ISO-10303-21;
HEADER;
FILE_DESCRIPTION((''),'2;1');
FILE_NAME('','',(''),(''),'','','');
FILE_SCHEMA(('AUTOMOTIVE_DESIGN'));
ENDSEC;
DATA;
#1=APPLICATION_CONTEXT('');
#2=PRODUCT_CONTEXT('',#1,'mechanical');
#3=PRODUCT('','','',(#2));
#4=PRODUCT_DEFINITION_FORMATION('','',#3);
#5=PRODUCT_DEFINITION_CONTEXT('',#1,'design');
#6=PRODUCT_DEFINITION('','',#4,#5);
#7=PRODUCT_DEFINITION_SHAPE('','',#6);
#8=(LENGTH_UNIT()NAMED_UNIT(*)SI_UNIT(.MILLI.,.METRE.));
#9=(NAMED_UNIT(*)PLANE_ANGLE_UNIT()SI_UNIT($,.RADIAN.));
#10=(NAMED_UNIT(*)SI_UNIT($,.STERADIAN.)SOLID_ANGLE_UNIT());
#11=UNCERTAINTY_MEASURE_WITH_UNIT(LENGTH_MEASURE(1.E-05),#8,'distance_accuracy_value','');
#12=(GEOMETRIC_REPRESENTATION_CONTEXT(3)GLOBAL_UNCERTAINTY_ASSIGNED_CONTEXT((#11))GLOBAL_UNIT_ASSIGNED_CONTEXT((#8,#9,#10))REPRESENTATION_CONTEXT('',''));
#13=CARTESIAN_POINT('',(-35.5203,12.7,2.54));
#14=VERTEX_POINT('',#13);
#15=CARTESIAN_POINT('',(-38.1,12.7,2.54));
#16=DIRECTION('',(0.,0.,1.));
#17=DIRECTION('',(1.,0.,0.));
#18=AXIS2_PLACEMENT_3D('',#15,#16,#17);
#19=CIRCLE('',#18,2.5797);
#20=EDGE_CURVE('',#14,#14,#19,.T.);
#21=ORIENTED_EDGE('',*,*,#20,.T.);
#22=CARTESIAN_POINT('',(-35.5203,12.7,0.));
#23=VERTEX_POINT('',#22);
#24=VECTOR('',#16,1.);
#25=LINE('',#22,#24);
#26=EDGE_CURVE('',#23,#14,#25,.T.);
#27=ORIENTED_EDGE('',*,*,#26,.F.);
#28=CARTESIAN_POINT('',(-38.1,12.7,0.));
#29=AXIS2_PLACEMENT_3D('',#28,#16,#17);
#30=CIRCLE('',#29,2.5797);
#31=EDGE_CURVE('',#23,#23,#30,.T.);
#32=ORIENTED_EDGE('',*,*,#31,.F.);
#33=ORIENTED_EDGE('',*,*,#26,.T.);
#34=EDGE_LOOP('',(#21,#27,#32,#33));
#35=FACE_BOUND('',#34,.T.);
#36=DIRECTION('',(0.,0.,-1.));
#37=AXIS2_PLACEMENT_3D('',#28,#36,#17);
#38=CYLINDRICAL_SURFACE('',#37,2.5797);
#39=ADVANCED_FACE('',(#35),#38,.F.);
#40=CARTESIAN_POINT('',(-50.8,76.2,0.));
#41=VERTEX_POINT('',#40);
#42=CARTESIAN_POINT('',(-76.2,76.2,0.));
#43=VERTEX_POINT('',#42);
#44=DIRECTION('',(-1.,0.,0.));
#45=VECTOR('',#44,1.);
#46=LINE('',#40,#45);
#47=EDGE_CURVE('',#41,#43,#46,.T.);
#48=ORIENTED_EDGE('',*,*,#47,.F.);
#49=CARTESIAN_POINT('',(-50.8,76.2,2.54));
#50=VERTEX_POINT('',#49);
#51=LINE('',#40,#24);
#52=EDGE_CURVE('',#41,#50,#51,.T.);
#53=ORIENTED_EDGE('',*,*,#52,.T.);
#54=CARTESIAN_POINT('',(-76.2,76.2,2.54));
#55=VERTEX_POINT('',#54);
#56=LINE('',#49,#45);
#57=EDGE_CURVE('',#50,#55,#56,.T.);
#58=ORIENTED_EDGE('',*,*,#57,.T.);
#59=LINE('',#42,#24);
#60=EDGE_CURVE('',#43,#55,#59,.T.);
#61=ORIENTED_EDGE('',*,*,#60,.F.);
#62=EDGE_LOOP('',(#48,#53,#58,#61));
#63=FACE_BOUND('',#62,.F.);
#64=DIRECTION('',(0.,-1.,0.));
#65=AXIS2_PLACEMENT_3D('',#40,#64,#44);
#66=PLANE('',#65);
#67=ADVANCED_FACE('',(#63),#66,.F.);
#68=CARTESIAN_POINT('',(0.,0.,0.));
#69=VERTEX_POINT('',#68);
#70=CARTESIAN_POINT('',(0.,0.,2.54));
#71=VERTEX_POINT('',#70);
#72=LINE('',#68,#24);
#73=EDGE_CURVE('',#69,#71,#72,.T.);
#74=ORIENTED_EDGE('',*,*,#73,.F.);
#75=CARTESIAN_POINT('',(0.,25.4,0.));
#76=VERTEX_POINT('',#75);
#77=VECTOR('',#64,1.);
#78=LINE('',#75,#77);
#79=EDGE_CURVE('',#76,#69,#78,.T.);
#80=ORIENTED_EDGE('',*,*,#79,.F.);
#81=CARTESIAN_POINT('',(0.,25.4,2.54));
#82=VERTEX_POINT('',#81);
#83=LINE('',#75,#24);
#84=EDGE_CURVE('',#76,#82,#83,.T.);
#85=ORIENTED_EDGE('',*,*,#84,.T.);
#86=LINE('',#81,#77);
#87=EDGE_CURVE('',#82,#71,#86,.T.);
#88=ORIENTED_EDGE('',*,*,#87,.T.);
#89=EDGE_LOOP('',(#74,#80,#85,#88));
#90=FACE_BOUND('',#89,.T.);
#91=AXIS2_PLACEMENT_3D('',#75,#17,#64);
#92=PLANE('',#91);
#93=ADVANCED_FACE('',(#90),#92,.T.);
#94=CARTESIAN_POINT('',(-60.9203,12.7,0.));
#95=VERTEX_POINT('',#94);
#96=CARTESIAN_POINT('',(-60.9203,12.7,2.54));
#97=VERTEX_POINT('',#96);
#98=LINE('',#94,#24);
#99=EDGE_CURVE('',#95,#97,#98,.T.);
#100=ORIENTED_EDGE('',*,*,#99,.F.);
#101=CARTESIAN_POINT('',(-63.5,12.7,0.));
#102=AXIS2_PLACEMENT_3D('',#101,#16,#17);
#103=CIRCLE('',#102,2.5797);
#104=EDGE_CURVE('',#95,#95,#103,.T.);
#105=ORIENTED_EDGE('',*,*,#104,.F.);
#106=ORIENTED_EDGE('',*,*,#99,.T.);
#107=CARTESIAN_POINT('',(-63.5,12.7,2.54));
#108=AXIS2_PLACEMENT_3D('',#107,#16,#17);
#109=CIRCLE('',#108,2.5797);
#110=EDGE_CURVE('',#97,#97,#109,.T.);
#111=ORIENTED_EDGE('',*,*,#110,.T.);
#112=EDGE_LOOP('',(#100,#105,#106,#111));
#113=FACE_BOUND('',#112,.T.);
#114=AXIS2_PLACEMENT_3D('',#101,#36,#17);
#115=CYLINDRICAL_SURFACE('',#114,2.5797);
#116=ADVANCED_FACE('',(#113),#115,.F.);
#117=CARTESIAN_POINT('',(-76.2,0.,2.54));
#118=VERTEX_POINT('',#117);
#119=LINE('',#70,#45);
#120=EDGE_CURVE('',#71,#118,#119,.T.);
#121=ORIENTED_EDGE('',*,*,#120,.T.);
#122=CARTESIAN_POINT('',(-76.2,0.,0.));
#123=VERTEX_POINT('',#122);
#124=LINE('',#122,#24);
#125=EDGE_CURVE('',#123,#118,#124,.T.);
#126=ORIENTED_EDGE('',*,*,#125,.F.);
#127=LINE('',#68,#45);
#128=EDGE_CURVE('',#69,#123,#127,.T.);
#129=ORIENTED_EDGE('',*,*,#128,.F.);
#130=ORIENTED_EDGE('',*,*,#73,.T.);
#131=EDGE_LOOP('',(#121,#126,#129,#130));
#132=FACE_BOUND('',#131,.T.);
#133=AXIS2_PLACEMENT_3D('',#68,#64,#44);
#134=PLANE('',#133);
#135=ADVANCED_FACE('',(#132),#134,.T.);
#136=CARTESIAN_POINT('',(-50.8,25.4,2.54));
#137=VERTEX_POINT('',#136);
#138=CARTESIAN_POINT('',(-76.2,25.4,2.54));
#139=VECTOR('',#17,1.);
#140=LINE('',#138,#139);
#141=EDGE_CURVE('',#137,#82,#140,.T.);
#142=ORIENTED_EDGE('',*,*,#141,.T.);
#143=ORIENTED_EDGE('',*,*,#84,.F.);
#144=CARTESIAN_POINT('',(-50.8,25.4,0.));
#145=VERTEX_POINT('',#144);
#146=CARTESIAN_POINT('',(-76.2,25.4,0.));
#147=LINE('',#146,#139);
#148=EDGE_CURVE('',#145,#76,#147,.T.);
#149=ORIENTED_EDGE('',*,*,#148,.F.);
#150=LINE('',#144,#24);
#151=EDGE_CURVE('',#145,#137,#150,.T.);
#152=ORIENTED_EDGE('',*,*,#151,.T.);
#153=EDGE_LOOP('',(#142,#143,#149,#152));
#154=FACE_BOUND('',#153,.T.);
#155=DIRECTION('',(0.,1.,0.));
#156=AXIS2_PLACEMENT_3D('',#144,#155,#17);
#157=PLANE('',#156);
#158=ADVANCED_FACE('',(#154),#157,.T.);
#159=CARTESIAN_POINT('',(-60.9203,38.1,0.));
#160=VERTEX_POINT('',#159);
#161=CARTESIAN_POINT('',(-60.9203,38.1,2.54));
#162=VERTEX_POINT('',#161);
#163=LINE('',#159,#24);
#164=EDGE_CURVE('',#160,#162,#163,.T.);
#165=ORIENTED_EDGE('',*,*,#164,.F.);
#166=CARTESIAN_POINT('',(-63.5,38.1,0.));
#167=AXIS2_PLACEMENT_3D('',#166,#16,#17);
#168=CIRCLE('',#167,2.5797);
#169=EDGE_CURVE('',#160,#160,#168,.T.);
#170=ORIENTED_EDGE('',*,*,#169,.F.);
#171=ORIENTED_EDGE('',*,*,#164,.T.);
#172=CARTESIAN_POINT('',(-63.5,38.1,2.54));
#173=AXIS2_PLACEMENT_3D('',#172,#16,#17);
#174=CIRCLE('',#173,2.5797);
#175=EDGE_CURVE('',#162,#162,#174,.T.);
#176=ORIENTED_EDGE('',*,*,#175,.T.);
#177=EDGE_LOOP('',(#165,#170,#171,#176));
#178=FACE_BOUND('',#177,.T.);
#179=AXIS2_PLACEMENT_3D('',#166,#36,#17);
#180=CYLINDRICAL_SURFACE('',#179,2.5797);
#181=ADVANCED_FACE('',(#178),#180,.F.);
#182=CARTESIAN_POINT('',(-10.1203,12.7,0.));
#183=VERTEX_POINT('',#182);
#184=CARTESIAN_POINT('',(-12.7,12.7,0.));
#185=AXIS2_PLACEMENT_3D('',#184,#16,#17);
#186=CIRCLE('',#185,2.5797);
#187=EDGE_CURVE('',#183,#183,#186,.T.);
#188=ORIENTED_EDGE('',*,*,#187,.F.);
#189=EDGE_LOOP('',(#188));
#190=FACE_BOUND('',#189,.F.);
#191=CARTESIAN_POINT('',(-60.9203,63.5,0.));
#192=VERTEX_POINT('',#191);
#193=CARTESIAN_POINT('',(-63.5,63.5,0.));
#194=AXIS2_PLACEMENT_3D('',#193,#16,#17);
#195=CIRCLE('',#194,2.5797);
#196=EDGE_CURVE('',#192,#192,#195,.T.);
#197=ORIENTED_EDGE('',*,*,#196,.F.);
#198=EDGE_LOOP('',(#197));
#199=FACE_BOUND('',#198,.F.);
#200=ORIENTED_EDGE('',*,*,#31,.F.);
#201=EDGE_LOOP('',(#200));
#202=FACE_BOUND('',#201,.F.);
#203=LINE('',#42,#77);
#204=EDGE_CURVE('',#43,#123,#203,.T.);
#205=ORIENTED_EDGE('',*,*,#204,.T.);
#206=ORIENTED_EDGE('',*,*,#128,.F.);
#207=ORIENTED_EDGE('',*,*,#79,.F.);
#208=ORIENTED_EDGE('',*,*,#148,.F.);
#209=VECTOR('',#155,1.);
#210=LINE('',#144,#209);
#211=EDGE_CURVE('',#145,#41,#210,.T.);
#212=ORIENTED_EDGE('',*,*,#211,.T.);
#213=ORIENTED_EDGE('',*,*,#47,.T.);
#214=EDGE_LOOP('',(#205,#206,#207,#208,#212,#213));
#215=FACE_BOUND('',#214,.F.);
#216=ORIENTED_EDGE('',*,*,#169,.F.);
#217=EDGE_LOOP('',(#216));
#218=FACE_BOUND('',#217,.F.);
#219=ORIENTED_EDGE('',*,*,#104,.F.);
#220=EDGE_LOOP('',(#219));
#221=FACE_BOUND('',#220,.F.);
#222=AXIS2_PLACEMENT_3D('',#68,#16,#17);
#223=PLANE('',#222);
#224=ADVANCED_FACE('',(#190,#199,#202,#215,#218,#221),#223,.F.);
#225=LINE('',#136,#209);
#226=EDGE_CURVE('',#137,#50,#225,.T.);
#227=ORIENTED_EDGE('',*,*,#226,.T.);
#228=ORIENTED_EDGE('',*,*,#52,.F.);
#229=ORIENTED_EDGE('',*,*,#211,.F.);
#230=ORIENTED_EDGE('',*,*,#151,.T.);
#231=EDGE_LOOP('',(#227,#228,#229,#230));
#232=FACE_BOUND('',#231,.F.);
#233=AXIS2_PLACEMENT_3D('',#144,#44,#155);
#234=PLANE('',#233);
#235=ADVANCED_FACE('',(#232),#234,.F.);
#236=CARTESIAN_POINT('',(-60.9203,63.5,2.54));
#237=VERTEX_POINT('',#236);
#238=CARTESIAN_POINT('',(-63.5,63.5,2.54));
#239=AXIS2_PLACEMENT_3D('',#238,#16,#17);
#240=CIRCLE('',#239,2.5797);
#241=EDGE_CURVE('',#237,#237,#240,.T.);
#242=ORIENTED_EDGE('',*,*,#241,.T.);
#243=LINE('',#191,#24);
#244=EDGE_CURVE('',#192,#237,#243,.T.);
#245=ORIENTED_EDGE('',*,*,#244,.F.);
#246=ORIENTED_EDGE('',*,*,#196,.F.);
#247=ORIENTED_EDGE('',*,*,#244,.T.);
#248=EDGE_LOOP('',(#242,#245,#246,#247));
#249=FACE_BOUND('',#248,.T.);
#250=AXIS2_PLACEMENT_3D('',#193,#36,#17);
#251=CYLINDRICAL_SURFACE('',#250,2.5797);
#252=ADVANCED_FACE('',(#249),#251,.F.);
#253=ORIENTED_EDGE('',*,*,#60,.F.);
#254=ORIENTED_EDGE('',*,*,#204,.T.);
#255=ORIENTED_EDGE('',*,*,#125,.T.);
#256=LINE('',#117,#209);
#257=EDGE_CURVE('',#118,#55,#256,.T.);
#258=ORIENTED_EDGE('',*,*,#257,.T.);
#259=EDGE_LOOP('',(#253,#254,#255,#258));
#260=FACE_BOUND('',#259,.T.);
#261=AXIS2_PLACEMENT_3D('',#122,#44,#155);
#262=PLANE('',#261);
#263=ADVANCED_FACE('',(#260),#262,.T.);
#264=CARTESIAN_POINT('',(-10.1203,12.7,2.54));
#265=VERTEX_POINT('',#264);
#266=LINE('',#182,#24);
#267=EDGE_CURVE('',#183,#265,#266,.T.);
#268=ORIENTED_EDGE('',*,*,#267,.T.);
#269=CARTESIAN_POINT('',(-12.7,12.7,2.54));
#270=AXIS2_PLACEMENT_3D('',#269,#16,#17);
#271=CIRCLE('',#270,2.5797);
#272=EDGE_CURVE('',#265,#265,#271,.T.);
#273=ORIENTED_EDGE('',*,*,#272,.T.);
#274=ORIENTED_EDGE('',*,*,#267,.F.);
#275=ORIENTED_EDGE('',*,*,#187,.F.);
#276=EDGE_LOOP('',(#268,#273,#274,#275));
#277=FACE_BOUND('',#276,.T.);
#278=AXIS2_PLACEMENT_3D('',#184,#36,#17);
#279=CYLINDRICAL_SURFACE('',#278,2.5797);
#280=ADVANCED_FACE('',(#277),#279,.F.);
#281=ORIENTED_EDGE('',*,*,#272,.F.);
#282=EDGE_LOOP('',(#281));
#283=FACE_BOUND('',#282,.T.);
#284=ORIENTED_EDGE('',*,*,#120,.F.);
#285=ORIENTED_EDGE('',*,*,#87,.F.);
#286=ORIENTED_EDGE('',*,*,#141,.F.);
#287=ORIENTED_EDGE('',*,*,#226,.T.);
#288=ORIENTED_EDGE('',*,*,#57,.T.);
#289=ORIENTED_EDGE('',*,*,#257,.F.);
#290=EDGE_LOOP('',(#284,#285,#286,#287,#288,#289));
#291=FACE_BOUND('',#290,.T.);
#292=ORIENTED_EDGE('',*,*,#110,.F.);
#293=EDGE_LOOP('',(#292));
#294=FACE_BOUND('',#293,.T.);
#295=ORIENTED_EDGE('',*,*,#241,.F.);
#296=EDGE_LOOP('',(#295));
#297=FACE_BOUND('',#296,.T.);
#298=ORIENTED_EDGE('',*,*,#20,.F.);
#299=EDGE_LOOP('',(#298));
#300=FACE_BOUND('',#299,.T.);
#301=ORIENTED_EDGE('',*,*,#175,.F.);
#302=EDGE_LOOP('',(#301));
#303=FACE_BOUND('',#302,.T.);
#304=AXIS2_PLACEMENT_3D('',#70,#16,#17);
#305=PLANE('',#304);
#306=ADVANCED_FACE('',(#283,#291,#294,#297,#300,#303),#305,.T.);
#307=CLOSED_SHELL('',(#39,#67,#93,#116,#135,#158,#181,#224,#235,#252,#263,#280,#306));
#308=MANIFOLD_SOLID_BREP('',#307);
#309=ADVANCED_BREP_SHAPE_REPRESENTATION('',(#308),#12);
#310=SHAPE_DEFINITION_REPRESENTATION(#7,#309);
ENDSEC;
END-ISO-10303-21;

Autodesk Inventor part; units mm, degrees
ref_plane "YZ Plane" through (0, 0, 0) normal (1, 0, 0) x (0, 1, 0)
ref_plane "XZ Plane" through (0, 0, 0) normal (0, 1, 0) x (-1, 0, 0)
ref_plane "XY Plane" through (0, 0, 0) normal (0, 0, 1) x (1, 0, 0)
sketch "Sketch1" plane through (0, 0, 0) normal (0, 0, 1) x (1, 0, 0)
  line L0 (0, 0) -> (-76.2, 0)
  line L1 (-76.2, 0) -> (-76.2, 25.4)
  line L2 (-76.2, 25.4) -> (0, 25.4)
  line L3 (0, 25.4) -> (0, 0)
  line L4 (-76.2, 25.4) -> (-50.8, 25.4)
  line L5 (-50.8, 25.4) -> (-50.8, 76.2)
  line L6 (-50.8, 76.2) -> (-76.2, 76.2)
  line L7 (-76.2, 76.2) -> (-76.2, 25.4)
  circle A0 centre (-63.5, 63.5) radius 2.5797
  circle A1 centre (-63.5, 38.1) radius 2.5797
  circle A2 centre (-63.5, 12.7) radius 2.5797
  circle A3 centre (-38.1, 12.7) radius 2.5797
  circle A4 centre (-12.7, 12.7) radius 2.5797
  dimension "d0" = 76.2
  dimension "d1" = 25.4
  dimension "d2" = 50.8
  dimension "d3" = 25.4
  dimension "d4" = 12.7
  dimension "d5" = 12.7
  dimension "d6" = 12.7
  dimension "d7" = 25.4
  dimension "d8" = 25.4
  dimension "d9" = 5.1594
  dimension "d10" = 5.1594
  dimension "d11" = 5.1594
  dimension "d12" = 5.1594
  dimension "d13" = 5.1594
  dimension "d14" = 12.7
  dimension "d15" = 25.4
  dimension "d16" = 12.7
extrude "Extrusion1" add sketch "Sketch1" along normal blind 2.54
properties part number "bracket"
